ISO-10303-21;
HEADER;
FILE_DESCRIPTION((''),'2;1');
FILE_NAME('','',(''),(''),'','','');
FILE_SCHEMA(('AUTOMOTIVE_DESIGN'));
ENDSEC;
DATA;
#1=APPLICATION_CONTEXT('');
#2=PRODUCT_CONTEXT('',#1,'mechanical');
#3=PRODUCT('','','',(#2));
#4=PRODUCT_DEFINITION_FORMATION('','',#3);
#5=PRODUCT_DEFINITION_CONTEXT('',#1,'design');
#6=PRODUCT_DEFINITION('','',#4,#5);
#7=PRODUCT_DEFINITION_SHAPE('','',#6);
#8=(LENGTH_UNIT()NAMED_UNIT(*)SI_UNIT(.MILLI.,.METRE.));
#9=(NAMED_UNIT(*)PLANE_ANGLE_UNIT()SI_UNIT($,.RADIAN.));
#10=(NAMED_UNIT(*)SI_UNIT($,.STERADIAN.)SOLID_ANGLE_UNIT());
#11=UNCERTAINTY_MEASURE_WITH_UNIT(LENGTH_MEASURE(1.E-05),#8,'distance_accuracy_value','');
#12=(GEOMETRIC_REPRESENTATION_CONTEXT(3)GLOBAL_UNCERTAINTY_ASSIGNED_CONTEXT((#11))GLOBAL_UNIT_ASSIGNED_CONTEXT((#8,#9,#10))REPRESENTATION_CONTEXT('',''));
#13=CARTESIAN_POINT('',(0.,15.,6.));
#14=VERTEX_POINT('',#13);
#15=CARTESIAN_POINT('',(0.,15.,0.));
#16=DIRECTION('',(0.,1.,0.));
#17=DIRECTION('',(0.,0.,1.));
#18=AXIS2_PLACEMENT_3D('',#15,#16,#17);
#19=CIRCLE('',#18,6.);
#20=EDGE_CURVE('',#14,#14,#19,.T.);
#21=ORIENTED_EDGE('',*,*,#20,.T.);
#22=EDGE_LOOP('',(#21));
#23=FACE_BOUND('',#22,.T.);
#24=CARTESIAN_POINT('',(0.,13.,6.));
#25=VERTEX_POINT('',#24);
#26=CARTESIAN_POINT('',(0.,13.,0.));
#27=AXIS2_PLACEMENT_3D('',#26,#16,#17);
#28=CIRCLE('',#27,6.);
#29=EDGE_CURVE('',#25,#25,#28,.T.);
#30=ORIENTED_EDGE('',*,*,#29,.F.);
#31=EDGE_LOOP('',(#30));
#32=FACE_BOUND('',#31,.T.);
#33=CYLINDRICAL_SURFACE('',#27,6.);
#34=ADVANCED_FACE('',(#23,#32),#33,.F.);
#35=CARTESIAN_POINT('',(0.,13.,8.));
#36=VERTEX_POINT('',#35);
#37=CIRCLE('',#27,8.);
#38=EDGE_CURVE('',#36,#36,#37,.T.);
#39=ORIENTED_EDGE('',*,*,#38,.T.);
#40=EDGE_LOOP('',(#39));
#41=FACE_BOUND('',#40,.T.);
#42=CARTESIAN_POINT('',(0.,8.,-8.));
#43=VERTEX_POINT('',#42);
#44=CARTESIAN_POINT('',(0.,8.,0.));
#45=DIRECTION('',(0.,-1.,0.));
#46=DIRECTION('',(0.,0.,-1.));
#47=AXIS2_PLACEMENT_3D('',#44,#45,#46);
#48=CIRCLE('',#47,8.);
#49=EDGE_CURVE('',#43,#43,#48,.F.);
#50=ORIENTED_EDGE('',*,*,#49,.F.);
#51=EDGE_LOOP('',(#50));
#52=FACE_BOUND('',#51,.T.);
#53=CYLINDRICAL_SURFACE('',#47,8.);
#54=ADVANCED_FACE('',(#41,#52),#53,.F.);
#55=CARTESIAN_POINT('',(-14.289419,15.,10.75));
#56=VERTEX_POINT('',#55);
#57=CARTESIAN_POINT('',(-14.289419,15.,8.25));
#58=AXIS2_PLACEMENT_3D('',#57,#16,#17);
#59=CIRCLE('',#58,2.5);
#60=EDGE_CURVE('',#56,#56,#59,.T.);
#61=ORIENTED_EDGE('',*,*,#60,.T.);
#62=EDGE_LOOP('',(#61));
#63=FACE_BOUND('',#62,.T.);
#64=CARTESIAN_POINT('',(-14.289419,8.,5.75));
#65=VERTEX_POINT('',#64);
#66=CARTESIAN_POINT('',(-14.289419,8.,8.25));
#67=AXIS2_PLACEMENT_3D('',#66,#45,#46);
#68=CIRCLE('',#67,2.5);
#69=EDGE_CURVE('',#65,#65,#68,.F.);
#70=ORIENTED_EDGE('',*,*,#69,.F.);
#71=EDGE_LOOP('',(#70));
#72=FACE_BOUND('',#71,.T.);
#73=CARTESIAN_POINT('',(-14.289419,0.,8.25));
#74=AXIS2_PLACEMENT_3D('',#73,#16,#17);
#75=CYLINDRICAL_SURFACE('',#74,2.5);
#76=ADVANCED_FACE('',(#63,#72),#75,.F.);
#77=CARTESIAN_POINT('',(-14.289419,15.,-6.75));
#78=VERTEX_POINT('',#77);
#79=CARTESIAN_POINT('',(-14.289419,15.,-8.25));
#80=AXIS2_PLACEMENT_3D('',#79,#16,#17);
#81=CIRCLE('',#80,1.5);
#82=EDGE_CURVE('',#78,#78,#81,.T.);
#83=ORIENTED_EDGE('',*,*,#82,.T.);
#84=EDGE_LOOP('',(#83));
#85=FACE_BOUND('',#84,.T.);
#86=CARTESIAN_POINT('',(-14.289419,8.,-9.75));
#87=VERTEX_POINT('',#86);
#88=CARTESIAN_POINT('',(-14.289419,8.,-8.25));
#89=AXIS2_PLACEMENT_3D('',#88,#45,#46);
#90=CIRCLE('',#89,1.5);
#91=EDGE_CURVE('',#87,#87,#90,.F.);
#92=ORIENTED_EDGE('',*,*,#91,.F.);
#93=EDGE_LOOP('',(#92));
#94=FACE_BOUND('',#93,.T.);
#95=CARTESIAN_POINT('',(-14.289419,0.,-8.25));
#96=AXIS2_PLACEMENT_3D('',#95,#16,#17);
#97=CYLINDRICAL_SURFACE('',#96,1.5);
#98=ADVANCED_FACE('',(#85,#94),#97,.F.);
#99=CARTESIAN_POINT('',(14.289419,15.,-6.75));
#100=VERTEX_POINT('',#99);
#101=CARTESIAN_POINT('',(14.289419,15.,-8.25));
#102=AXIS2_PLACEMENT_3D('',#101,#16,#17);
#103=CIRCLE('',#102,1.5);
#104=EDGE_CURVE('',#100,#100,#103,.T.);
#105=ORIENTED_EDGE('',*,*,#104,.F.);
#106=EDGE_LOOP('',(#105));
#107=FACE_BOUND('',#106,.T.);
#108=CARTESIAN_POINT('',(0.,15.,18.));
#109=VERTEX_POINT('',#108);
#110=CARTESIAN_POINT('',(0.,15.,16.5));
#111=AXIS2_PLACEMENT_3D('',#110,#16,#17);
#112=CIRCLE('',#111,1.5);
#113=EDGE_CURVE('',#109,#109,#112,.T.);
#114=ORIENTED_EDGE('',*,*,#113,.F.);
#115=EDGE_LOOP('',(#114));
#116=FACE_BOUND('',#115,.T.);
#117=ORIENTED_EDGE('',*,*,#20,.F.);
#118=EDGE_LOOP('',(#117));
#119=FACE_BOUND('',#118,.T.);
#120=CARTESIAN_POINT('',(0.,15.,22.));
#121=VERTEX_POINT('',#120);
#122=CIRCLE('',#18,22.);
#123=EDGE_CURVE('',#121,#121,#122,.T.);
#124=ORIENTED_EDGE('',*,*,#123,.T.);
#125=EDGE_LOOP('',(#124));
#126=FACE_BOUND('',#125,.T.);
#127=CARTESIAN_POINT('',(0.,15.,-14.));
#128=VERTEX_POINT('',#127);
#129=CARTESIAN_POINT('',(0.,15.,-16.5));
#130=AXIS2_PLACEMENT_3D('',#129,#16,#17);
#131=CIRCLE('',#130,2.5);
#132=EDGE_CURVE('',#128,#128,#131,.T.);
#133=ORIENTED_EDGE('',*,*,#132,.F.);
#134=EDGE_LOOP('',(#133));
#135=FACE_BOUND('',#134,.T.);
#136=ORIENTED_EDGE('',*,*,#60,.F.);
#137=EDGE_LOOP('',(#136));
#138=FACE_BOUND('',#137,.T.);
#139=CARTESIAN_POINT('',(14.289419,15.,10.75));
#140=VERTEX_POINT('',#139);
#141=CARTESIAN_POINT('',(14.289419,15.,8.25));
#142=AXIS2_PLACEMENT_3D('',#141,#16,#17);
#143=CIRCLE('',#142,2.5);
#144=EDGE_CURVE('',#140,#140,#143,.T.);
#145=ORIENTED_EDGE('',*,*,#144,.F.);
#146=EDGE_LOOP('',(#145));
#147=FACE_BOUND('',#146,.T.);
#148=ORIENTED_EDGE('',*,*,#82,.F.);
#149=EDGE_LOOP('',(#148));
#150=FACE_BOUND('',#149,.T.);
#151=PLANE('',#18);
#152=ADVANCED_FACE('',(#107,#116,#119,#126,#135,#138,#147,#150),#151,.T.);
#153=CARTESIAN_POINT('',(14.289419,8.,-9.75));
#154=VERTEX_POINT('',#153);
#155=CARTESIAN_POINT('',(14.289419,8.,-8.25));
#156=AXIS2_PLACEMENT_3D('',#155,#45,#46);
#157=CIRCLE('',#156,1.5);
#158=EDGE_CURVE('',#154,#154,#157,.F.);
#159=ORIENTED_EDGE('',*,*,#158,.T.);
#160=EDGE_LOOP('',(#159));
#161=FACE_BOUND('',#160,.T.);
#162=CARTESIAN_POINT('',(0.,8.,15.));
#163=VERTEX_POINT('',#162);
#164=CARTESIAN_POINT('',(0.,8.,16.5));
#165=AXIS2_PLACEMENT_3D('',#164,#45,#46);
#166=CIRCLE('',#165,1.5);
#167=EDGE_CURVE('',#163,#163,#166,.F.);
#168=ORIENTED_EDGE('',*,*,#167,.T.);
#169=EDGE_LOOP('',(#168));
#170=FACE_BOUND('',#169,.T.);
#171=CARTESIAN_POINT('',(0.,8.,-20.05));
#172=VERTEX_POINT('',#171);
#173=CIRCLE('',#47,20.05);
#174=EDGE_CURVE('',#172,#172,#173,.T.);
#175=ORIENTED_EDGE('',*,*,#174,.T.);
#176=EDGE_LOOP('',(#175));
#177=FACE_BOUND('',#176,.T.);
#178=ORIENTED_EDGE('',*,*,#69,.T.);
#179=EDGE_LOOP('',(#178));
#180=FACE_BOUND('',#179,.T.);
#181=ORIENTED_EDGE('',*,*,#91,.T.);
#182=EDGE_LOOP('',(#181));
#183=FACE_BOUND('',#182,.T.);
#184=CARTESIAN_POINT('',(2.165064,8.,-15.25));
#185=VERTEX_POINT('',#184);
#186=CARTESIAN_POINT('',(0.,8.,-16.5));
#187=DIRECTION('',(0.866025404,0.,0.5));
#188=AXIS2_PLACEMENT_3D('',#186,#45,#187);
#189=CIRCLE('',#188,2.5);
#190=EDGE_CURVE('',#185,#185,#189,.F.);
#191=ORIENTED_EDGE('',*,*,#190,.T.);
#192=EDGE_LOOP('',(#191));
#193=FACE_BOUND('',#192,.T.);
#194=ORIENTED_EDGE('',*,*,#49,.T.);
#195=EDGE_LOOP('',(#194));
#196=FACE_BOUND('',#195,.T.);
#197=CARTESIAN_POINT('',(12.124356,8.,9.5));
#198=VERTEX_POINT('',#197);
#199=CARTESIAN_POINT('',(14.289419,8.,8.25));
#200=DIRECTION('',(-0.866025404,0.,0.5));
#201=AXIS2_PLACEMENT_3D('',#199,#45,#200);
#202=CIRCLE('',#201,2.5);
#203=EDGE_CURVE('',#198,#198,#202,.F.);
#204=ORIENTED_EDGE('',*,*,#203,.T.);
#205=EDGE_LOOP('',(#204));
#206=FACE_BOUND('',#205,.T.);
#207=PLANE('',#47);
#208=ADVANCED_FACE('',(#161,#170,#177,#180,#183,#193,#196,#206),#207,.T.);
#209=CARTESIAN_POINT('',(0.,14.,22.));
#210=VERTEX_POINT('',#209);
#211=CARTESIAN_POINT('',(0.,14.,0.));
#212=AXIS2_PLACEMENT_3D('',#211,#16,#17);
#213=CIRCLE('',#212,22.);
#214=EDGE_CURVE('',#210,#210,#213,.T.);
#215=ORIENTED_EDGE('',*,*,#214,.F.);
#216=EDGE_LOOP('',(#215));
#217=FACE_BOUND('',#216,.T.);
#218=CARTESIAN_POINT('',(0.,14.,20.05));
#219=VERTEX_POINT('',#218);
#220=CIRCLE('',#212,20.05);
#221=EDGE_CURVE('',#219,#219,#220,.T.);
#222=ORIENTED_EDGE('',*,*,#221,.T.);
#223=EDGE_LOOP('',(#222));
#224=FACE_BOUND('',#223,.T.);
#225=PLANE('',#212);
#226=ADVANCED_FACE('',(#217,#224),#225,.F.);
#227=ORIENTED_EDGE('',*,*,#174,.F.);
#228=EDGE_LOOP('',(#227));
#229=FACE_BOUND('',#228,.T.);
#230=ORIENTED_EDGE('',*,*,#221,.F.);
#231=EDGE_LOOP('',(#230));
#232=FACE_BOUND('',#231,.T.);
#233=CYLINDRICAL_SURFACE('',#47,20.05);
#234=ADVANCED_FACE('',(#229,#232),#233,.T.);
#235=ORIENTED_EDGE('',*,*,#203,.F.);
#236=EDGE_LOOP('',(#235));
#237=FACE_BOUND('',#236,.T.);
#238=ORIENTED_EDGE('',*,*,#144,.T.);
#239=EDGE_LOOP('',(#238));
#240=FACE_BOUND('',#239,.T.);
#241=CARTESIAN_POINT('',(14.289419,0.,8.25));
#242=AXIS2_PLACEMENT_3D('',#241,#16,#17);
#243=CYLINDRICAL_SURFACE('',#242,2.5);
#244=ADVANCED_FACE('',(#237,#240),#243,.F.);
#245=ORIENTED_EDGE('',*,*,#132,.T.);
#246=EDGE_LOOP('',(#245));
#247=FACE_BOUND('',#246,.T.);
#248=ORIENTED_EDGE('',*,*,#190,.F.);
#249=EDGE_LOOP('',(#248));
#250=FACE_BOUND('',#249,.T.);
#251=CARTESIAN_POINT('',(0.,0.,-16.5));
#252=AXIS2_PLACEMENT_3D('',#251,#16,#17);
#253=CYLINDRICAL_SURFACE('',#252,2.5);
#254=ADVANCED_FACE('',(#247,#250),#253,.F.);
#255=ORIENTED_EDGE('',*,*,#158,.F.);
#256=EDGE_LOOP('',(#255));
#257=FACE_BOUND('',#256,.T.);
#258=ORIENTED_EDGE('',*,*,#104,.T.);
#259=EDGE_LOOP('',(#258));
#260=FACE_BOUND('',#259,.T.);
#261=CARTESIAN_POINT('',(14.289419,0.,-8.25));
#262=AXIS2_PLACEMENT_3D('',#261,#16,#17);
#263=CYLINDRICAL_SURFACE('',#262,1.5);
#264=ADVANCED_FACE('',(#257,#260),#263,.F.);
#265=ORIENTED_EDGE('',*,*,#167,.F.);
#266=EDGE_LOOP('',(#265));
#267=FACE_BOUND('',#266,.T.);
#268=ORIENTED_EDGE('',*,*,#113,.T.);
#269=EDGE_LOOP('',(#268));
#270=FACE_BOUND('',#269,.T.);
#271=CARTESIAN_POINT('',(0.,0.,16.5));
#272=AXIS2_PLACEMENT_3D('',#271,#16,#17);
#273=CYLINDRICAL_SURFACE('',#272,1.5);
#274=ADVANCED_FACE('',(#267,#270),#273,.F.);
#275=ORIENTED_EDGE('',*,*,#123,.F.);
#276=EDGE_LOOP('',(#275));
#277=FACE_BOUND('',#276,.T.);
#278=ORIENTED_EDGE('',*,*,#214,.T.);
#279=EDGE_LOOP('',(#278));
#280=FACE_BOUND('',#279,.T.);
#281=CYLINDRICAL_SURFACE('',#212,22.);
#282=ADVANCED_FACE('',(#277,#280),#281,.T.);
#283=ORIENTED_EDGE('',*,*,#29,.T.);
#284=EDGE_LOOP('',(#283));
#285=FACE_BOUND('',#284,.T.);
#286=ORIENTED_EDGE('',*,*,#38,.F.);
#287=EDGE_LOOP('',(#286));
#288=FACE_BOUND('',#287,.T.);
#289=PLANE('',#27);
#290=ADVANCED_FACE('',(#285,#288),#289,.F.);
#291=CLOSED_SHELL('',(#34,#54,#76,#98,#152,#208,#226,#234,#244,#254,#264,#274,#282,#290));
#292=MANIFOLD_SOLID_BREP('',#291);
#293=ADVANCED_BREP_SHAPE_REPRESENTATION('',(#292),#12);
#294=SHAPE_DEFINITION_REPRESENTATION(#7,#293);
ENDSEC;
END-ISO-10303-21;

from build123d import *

# Parameters (mm, degrees)
SKETCH1_R           = 20.05
SKETCH1_R_2         = 8
BOSS_EXTRUDE1_DEPTH = 8
SKETCH2_R           = 20.05
SKETCH2_R_2         = 8
SKETCH2_R_3         = 20
BOSS_EXTRUDE2_DEPTH = 7
BOSS_EXTRUDE3_START = -2
SKETCH3_R           = 8
SKETCH3_R_2         = 6
BOSS_EXTRUDE3_DEPTH = 2
SKETCH4_R           = 2.5
SKETCH4_R_2         = 1.5
CUT_EXTRUDE1_DEPTH  = 33.0781078
SKETCH5_R           = 2.5
CUT_EXTRUDE2_DEPTH  = 8
CIRPATTERN1_COUNT   = 3
FILLET1_R           = 2
BOSS_EXTRUDE4_START = -1
SKETCH6_R           = 22
SKETCH6_R_2         = 20.05
BOSS_EXTRUDE4_DEPTH = 1
SKETCH7_R           = 2.5
CUT_EXTRUDE3_DEPTH  = 33.124756808


with BuildPart() as part:
    # Sketch1 → Boss-Extrude1 (new body)
    with BuildSketch(Plane(origin=(0, 0, 0), x_dir=(1, 0, 0), z_dir=(0, 1, 0))):
        with Locations(Location((0, 0, 0), (0, 0, 270))):
            Circle(SKETCH1_R)
        with Locations(Location((0, 0, 0), (0, 0, 270))):
            Circle(SKETCH1_R_2, mode=Mode.SUBTRACT)
    extrude(amount=BOSS_EXTRUDE1_DEPTH)

    # Sketch2 → Boss-Extrude2 (add)
    # profile 1 of 2: a face of its own
    with BuildSketch(Plane(origin=(0, 8, 0), x_dir=(1, 0, 0), z_dir=(0, 1, 0))):
        with Locations(Location((0, 0, 0), (0, 0, 270))):
            Circle(SKETCH2_R)
        with Locations(Location((0, 0, 0), (0, 0, 270))):
            Circle(SKETCH2_R_2, mode=Mode.SUBTRACT)
    # profile 2 of 2: a face of its own
    with BuildSketch(Plane(origin=(0, 8, 0), x_dir=(1, 0, 0), z_dir=(0, 1, 0))):
        with Locations(Location((0, 0, 0), (0, 0, 270))):
            Circle(SKETCH2_R)
        Circle(SKETCH2_R_3, mode=Mode.SUBTRACT)
    extrude(amount=BOSS_EXTRUDE2_DEPTH)

    # Sketch3 → Boss-Extrude3 (add)
    with BuildSketch(Plane(origin=(0, 15, 0), x_dir=(1, 0, 0), z_dir=(0, 1, 0)).offset(BOSS_EXTRUDE3_START)):
        with Locations(Location((0, 0, 0), (0, 0, 270))):
            Circle(SKETCH3_R)
        with Locations(Location((0, 0, 0), (0, 0, 270))):
            Circle(SKETCH3_R_2, mode=Mode.SUBTRACT)
    extrude(amount=BOSS_EXTRUDE3_DEPTH)

    # Sketch4 → Cut-Extrude1 (cut, through all)
    with BuildSketch(Plane(origin=(0, 15, 0), x_dir=(1, 0, 0), z_dir=(0, 1, 0))):
        with Locations(Location((0, 16.5, 0), (0, 0, 270))):
            Circle(SKETCH4_R)
        with Locations(Location((14.289419162, -8.25, 0), (0, 0, 270))):
            Circle(SKETCH4_R)
        with Locations(Location((-14.289419162, -8.25, 0), (0, 0, 270))):
            Circle(SKETCH4_R)
        with Locations(Location((0, -16.5, 0), (0, 0, 270))):
            Circle(SKETCH4_R_2)
        with Locations(Location((-14.289419162, 8.25, 0), (0, 0, 270))):
            Circle(SKETCH4_R_2)
        with Locations(Location((14.289419162, 8.25, 0), (0, 0, 270))):
            Circle(SKETCH4_R_2)
    extrude(amount=-CUT_EXTRUDE1_DEPTH, mode=Mode.SUBTRACT)

    # Sketch5 → Cut-Extrude2 (cut)
    with BuildSketch(Plane.XZ):
        with BuildLine():
            ThreePointArc((-3.332922817, 7.272662889), (-2.919714264, 7.448172166), (-2.497311128, 7.600226124))
            Line((-2.497311128, 7.600226124), (-6.258886015, 19.048066722))
            ThreePointArc((-6.258886015, 19.048066722), (-7.661105353, 18.52862555), (-9.020711712, 17.906123539))
            ThreePointArc((-9.020711712, 17.906123539), (-17.363809346, 10.025), (-20.017513724, -1.140896267))
            ThreePointArc((-20.017513724, -1.140896267), (-19.8768131, -2.629600918), (-19.625552682, -4.103679072))
            Line((-19.625552682, -4.103679072), (-7.830644462, -1.637378184))
            ThreePointArc((-7.830644462, -1.637378184), (-7.91016344, -1.195539359), (-7.964772223, -0.749935616))
            ThreePointArc((-7.964772223, -0.749935616), (-6.92820323, 4), (-3.332922817, 7.272662889))
        make_face()
        with Locations(Location((-14.289419162, 8.25, 0), (0, 0, 90))):
            Circle(SKETCH5_R, mode=Mode.SUBTRACT)
    cut_extrude2 = extrude(amount=-CUT_EXTRUDE2_DEPTH, mode=Mode.SUBTRACT)

    # CirPattern1: Cut-Extrude2 ×3 about axis
    cirpattern1_axis = Axis((0, 0, 0), (0, 1, 0))
    for i in range(1, CIRPATTERN1_COUNT):
        add(cut_extrude2.rotate(cirpattern1_axis, i * 360 / CIRPATTERN1_COUNT), mode=Mode.SUBTRACT)

    # Fillet1
    fillet1_edges = [part.edges().sort_by_distance(p)[0] for p in [
        (-7.830644462, 4, -1.637378184),
        (-19.625552682, 4, -4.103679072),
        (-6.258886015, 4, 19.048066722),
        (-2.497311128, 4, 7.600226124),
        (2.497311128, 4, 7.600226124),
        (6.258886015, 4, 19.048066722),
        (19.625552682, 4, -4.103679072),
        (7.830644462, 4, -1.637378184),
        (5.333333333, 4, -5.96284794),
        (13.366666667, 4, -14.94438765),
        (-13.366666667, 4, -14.94438765),
        (-5.333333333, 4, -5.96284794),
    ]]
    fillet(fillet1_edges, radius=FILLET1_R)

    # Sketch6 → Boss-Extrude4 (add)
    with BuildSketch(Plane(origin=(0, 15, 0), x_dir=(1, 0, 0), z_dir=(0, 1, 0)).offset(BOSS_EXTRUDE4_START)):
        with Locations(Location((0, 0, 0), (0, 0, 270))):
            Circle(SKETCH6_R)
        with Locations(Location((0, 0, 0), (0, 0, 41.828059361))):
            Circle(SKETCH6_R_2, mode=Mode.SUBTRACT)
    extrude(amount=BOSS_EXTRUDE4_DEPTH)

    # Sketch7 → Cut-Extrude3 (cut, through all)
    # profile 1 of 2: a face of its own
    with BuildSketch(Plane.XZ.offset(-8)):
        with BuildLine():
            ThreePointArc((4.109756896, 19.624280834), (5.43201172, 18.666478367), (5.599862615, 17.042418804))
            Line((5.599862615, 17.042418804), (3.058568997, 9.308337966))
            ThreePointArc((3.058568997, 9.308337966), (2.235430366, 8.247362264), (0.926809973, 7.946132599))
            ThreePointArc((0.926809973, 7.946132599), (6.92820323, 4), (7.344957679, -3.170425319))
            ThreePointArc((7.344957679, -3.170425319), (8.260140418, -2.187741646), (9.590541644, -2.005370533))
            Line((9.590541644, -2.005370533), (17.559098934, -3.67158612))
            ThreePointArc((17.559098934, -3.67158612), (18.881650325, -4.62897904), (19.050004181, -6.252986541))
            ThreePointArc((19.050004181, -6.252986541), (17.363809346, 10.025), (4.109756896, 19.624280834))
        make_face()
        with Locations(Location((14.289419162, 8.25, 0), (0, 0, 90))):
            Circle(SKETCH7_R, mode=Mode.SUBTRACT)
    # profile 2 of 2: a face of its own
    with BuildSketch(Plane.XZ.offset(-8)):
        with BuildLine():
            ThreePointArc((5.599862615, 17.042418804), (5.43201172, 18.666478367), (4.109756896, 19.624280834))
            ThreePointArc((4.109756896, 19.624280834), (-17.363809346, -10.025), (19.050004181, -6.252986541))
            ThreePointArc((19.050004181, -6.252986541), (18.881650325, -4.62897904), (17.559098934, -3.67158612))
            Line((17.559098934, -3.67158612), (9.590541644, -2.005370533))
            ThreePointArc((9.590541644, -2.005370533), (8.260140418, -2.187741646), (7.344957679, -3.170425319))
            ThreePointArc((7.344957679, -3.170425319), (-6.92820323, -4), (0.926809973, 7.946132599))
            ThreePointArc((0.926809973, 7.946132599), (2.235430366, 8.247362264), (3.058568997, 9.308337966))
            Line((3.058568997, 9.308337966), (5.599862615, 17.042418804))
        make_face()
    extrude(amount=CUT_EXTRUDE3_DEPTH, mode=Mode.SUBTRACT)


solid = part.part
